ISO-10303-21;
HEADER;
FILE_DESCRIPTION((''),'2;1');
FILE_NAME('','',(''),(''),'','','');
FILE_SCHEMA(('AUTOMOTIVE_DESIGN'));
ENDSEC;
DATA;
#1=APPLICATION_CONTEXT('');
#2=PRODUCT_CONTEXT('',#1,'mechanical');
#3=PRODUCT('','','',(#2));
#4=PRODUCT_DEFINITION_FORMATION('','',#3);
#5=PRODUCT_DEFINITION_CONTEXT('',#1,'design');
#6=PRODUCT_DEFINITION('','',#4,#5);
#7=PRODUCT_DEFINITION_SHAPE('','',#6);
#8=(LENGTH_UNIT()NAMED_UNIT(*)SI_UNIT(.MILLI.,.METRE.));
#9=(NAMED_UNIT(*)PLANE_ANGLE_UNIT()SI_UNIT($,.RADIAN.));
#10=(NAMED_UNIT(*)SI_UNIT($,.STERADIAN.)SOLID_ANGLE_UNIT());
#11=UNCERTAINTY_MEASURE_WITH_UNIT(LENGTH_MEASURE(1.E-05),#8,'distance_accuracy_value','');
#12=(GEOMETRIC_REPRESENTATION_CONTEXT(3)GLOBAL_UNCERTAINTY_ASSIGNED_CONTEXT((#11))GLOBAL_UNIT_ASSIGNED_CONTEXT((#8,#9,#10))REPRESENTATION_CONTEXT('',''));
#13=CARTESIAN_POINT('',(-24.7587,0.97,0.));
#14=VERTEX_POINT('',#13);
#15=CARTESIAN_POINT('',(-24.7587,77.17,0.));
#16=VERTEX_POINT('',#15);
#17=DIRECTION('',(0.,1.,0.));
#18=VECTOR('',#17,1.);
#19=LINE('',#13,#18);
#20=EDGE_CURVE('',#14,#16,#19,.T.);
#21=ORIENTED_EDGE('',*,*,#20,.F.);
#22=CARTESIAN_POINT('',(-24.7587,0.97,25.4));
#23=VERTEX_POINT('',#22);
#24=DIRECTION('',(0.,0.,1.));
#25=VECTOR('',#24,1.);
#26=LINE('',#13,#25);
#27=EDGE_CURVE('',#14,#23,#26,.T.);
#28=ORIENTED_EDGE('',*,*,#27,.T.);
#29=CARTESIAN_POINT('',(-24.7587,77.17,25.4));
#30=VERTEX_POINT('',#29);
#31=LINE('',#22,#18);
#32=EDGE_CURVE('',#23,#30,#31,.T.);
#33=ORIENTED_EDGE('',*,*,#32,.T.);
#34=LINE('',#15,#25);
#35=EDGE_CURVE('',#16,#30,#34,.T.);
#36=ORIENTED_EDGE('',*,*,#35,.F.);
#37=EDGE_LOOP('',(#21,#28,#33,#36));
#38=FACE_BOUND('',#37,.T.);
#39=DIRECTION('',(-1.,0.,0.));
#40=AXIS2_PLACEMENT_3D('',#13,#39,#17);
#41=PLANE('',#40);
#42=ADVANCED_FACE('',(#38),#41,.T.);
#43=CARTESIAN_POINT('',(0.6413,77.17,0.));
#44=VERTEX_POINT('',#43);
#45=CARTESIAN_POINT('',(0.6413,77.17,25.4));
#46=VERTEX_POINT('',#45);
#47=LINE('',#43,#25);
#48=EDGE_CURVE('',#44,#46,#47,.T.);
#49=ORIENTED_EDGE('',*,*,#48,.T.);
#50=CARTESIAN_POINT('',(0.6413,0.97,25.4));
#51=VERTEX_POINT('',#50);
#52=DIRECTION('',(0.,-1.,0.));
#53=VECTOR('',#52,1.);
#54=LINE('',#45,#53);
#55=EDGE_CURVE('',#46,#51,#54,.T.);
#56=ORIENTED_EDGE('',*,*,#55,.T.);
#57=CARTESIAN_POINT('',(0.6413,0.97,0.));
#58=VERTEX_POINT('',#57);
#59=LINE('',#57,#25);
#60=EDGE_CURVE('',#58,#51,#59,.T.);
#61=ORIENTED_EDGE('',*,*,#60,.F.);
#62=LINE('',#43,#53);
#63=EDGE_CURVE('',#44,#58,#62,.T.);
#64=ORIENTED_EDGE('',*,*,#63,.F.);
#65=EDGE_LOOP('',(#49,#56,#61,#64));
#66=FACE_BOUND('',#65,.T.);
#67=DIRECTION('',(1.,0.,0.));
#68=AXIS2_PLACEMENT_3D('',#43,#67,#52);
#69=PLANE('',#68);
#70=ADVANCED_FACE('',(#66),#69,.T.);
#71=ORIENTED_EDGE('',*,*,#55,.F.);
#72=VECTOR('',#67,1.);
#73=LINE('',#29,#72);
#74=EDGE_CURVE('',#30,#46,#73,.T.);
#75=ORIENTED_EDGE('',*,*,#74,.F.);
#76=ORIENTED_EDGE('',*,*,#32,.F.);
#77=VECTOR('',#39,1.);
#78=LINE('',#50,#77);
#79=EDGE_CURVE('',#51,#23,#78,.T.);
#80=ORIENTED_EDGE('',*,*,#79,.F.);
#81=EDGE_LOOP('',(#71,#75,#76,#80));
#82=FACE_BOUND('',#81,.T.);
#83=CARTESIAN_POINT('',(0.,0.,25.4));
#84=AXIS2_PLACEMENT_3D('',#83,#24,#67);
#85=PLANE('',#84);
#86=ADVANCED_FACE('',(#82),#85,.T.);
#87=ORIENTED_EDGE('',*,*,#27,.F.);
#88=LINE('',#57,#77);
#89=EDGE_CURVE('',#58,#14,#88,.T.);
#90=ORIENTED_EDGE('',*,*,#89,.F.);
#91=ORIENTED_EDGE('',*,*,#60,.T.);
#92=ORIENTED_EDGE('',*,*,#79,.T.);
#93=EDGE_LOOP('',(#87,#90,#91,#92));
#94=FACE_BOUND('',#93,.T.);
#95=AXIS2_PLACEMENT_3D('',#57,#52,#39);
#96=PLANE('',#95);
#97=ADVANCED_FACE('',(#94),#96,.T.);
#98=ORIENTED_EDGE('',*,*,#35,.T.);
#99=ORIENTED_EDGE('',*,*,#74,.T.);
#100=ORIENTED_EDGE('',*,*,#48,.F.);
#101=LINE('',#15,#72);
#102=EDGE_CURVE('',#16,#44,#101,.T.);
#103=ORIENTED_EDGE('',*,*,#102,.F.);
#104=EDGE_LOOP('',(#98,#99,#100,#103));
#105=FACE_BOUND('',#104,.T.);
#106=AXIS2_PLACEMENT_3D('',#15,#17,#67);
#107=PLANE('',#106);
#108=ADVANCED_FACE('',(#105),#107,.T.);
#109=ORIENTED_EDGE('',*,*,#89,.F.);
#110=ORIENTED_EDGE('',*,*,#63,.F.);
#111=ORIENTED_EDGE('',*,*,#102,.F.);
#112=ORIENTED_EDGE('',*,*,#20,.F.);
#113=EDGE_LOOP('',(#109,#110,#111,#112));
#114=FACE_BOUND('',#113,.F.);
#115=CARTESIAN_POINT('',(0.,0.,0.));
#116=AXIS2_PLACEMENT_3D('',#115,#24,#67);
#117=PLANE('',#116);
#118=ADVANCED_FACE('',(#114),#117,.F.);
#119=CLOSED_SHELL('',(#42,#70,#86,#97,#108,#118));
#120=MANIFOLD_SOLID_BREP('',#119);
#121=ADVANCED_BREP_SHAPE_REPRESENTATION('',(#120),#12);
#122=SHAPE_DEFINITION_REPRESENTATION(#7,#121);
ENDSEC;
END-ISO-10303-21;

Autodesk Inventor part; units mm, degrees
ref_plane "YZ Plane" through (0, 0, 0) normal (1, 0, 0) x (0, 1, 0)
ref_plane "XZ Plane" through (0, 0, 0) normal (0, 1, 0) x (-1, 0, 0)
ref_plane "XY Plane" through (0, 0, 0) normal (0, 0, 1) x (1, 0, 0)
sketch "Sketch1" plane through (0, 0, 0) normal (0, 0, 1) x (1, 0, 0)
  line L0 (-24.7587, 77.17) -> (0.6413, 77.17)
  line L1 (0.6413, 77.17) -> (0.6413, 0.97)
  line L2 (0.6413, 0.97) -> (-24.7587, 0.97)
  line L3 (-24.7587, 0.97) -> (-24.7587, 77.17)
  dimension "d0" = 25.4
  dimension "d1" = 76.2
extrude "Extrusion1" add sketch "Sketch1" along normal blind 25.4
properties part number "HatchArmGripper"
